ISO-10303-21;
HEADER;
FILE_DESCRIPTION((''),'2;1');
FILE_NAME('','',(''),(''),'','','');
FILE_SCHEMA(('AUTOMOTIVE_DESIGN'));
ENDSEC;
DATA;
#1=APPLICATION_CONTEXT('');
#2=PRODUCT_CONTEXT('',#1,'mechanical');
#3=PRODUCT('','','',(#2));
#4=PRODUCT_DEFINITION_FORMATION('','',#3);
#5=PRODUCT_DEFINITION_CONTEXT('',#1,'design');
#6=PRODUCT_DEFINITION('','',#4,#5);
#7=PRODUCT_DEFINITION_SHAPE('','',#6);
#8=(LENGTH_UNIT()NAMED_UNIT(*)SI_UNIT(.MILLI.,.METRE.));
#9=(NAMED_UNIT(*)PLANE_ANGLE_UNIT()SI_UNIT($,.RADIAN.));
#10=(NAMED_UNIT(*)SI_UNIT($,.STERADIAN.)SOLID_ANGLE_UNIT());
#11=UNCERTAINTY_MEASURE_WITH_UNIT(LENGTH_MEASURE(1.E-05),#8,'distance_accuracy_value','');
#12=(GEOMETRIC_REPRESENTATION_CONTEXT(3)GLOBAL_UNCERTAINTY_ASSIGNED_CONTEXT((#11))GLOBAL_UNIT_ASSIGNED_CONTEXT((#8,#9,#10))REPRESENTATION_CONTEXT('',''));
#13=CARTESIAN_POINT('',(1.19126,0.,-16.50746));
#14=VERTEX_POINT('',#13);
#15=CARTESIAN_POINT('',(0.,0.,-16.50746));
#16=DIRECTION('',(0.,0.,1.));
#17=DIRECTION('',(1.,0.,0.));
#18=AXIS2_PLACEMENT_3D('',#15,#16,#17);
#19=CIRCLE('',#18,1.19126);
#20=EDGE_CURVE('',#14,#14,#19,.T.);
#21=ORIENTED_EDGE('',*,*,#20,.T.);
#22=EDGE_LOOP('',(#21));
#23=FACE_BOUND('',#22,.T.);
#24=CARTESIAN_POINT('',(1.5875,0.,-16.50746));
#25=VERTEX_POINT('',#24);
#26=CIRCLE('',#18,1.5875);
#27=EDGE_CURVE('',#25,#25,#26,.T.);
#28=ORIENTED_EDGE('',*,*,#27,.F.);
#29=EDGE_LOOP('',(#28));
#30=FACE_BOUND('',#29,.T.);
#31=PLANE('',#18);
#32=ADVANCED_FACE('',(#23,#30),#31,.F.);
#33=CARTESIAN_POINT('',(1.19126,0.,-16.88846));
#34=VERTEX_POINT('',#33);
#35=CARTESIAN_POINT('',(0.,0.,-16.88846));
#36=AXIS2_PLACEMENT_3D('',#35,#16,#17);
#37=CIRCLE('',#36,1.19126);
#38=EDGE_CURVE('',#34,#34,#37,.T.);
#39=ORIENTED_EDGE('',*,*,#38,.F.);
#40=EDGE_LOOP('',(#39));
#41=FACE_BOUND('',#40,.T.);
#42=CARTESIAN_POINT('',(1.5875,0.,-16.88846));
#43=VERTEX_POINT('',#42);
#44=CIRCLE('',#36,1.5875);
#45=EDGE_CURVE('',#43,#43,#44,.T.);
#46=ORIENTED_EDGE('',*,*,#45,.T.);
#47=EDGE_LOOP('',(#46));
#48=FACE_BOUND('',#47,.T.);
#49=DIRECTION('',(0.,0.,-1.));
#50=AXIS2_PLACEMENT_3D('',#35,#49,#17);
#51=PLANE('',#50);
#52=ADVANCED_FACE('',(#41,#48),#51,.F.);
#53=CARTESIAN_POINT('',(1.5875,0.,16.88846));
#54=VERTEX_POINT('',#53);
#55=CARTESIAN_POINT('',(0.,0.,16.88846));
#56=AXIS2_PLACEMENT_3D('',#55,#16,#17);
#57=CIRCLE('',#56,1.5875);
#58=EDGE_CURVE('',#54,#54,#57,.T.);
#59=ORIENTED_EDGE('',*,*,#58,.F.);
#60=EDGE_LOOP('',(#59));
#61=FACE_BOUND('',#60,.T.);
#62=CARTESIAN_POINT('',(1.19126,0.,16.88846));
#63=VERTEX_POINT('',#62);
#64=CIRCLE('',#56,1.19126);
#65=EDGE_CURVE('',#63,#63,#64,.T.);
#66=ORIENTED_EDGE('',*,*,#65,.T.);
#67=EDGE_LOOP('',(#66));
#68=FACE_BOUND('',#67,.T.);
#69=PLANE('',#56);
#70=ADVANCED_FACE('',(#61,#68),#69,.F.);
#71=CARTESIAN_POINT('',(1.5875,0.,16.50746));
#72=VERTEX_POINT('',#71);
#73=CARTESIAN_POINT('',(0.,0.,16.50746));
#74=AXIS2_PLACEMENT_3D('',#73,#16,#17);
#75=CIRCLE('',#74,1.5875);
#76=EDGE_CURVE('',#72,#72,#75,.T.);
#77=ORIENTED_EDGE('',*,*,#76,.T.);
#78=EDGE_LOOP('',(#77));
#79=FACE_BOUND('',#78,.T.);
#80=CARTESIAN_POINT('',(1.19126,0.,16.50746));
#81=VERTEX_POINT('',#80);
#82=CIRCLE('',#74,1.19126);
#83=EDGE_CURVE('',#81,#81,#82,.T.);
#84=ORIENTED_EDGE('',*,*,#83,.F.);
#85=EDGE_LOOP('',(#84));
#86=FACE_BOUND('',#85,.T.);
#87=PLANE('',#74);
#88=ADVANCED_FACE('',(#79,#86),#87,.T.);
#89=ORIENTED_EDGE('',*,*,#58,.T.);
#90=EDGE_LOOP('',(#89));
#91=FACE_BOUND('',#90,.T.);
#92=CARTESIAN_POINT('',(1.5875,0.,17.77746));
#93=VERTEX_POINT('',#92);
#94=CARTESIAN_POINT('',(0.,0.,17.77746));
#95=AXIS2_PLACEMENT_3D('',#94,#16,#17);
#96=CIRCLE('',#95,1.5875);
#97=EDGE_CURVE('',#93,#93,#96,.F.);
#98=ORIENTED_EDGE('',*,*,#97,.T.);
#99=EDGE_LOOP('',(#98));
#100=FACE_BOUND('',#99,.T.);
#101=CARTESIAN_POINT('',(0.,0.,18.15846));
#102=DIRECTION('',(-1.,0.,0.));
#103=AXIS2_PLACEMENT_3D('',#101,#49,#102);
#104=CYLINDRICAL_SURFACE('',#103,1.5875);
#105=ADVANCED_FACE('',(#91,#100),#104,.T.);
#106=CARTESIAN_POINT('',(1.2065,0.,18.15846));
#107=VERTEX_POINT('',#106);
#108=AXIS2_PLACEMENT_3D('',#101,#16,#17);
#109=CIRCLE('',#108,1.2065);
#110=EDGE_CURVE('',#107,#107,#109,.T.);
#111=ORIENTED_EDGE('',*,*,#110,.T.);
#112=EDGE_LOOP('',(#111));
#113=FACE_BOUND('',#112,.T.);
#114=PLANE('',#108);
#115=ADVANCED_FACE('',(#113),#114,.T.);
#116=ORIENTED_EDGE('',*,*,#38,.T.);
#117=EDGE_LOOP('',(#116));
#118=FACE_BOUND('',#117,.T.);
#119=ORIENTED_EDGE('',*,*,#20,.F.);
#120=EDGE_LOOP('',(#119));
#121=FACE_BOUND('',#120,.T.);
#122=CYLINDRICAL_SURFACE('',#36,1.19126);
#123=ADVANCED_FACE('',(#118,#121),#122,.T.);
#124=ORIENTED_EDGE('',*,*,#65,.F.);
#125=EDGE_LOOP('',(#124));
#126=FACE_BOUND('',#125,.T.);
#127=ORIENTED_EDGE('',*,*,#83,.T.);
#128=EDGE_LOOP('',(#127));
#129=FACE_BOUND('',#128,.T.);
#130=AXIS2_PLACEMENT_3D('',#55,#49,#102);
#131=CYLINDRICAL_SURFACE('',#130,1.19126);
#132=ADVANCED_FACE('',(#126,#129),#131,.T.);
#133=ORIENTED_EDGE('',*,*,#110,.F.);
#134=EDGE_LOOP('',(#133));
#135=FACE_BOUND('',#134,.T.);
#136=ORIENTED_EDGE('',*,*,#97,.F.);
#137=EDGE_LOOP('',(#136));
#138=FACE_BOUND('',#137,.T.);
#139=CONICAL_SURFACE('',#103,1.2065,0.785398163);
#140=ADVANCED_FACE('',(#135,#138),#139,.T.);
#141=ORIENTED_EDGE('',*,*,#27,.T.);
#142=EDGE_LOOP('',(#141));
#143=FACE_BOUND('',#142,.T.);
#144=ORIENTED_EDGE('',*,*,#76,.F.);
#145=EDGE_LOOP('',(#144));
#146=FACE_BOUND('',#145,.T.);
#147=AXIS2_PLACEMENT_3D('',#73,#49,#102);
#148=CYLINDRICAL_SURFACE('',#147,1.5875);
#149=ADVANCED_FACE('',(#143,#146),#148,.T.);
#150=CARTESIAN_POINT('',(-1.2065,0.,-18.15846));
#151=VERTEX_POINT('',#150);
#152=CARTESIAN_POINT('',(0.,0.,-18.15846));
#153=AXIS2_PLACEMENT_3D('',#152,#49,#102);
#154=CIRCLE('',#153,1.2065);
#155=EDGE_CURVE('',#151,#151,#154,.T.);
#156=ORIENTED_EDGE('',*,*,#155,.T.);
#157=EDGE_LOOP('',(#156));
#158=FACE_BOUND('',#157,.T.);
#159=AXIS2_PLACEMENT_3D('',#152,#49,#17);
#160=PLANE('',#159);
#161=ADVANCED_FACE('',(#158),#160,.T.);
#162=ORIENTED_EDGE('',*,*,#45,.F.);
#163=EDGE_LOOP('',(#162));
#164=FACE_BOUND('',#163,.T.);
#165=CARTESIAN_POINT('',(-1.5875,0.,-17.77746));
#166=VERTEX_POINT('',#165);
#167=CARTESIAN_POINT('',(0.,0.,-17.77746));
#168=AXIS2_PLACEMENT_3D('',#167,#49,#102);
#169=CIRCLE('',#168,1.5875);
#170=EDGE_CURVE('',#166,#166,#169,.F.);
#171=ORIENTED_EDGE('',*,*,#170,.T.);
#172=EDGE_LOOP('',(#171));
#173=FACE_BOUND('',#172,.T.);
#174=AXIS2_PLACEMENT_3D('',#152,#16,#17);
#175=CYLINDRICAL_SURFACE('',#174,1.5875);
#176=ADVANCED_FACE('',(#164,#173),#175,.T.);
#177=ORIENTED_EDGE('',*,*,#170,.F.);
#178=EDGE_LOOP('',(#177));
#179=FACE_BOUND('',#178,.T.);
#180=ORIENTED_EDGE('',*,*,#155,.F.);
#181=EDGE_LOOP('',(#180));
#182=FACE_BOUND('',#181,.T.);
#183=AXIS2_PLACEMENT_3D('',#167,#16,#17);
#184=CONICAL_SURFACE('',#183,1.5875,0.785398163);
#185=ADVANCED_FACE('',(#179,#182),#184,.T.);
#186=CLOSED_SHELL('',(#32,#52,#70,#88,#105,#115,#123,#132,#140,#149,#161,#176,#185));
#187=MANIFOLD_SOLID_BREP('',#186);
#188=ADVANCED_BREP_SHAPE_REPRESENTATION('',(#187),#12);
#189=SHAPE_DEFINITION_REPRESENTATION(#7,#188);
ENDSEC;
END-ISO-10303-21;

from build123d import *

# Parameters (mm, degrees)
SKETCH1_R                = 1.5875
BOSS_EXTRUDE1_DEPTH      = 16.50746
SKETCH2_R                = 1.19126
BOSS_EXTRUDE2_DEPTH      = 0.381
SKETCH3_R                = 1.5875
BOSS_EXTRUDE3_DEPTH      = 1.27
CHAMFER1_SIZE            = 0.381
CHAMFER1_OF_MIRROR1_SIZE = 0.381


with BuildPart() as part:
    # Sketch1 → Boss-Extrude1 (new body, symmetric)
    with BuildSketch(Plane.XY):
        Circle(SKETCH1_R)
    extrude(amount=BOSS_EXTRUDE1_DEPTH, both=True)

    # Sketch2 → Boss-Extrude2 (add)
    with BuildSketch(Plane.XY.offset(16.50746)):
        Circle(SKETCH2_R)
    boss_extrude2 = extrude(amount=BOSS_EXTRUDE2_DEPTH)

    # Sketch3 → Boss-Extrude3 (add)
    with BuildSketch(Plane.XY.offset(16.88846)):
        Circle(SKETCH3_R)
    boss_extrude3 = extrude(amount=BOSS_EXTRUDE3_DEPTH)

    # Chamfer1
    chamfer1_edges = [part.edges().sort_by_distance(p)[0] for p in [
        (-1.5875, 0, 18.15846),
    ]]
    chamfer(chamfer1_edges, length=CHAMFER1_SIZE)

    # Mirror1: Boss-Extrude2, Boss-Extrude3 across plane
    add(boss_extrude2.mirror(Plane.XY))
    add(boss_extrude3.mirror(Plane.XY))

    # Chamfer1 of Mirror1
    chamfer1_of_mirror1_edges = [part.edges().sort_by_distance(p)[0] for p in [
        (-1.5875, 0, -18.15846),
    ]]
    chamfer(chamfer1_of_mirror1_edges, length=CHAMFER1_OF_MIRROR1_SIZE)


solid = part.part
